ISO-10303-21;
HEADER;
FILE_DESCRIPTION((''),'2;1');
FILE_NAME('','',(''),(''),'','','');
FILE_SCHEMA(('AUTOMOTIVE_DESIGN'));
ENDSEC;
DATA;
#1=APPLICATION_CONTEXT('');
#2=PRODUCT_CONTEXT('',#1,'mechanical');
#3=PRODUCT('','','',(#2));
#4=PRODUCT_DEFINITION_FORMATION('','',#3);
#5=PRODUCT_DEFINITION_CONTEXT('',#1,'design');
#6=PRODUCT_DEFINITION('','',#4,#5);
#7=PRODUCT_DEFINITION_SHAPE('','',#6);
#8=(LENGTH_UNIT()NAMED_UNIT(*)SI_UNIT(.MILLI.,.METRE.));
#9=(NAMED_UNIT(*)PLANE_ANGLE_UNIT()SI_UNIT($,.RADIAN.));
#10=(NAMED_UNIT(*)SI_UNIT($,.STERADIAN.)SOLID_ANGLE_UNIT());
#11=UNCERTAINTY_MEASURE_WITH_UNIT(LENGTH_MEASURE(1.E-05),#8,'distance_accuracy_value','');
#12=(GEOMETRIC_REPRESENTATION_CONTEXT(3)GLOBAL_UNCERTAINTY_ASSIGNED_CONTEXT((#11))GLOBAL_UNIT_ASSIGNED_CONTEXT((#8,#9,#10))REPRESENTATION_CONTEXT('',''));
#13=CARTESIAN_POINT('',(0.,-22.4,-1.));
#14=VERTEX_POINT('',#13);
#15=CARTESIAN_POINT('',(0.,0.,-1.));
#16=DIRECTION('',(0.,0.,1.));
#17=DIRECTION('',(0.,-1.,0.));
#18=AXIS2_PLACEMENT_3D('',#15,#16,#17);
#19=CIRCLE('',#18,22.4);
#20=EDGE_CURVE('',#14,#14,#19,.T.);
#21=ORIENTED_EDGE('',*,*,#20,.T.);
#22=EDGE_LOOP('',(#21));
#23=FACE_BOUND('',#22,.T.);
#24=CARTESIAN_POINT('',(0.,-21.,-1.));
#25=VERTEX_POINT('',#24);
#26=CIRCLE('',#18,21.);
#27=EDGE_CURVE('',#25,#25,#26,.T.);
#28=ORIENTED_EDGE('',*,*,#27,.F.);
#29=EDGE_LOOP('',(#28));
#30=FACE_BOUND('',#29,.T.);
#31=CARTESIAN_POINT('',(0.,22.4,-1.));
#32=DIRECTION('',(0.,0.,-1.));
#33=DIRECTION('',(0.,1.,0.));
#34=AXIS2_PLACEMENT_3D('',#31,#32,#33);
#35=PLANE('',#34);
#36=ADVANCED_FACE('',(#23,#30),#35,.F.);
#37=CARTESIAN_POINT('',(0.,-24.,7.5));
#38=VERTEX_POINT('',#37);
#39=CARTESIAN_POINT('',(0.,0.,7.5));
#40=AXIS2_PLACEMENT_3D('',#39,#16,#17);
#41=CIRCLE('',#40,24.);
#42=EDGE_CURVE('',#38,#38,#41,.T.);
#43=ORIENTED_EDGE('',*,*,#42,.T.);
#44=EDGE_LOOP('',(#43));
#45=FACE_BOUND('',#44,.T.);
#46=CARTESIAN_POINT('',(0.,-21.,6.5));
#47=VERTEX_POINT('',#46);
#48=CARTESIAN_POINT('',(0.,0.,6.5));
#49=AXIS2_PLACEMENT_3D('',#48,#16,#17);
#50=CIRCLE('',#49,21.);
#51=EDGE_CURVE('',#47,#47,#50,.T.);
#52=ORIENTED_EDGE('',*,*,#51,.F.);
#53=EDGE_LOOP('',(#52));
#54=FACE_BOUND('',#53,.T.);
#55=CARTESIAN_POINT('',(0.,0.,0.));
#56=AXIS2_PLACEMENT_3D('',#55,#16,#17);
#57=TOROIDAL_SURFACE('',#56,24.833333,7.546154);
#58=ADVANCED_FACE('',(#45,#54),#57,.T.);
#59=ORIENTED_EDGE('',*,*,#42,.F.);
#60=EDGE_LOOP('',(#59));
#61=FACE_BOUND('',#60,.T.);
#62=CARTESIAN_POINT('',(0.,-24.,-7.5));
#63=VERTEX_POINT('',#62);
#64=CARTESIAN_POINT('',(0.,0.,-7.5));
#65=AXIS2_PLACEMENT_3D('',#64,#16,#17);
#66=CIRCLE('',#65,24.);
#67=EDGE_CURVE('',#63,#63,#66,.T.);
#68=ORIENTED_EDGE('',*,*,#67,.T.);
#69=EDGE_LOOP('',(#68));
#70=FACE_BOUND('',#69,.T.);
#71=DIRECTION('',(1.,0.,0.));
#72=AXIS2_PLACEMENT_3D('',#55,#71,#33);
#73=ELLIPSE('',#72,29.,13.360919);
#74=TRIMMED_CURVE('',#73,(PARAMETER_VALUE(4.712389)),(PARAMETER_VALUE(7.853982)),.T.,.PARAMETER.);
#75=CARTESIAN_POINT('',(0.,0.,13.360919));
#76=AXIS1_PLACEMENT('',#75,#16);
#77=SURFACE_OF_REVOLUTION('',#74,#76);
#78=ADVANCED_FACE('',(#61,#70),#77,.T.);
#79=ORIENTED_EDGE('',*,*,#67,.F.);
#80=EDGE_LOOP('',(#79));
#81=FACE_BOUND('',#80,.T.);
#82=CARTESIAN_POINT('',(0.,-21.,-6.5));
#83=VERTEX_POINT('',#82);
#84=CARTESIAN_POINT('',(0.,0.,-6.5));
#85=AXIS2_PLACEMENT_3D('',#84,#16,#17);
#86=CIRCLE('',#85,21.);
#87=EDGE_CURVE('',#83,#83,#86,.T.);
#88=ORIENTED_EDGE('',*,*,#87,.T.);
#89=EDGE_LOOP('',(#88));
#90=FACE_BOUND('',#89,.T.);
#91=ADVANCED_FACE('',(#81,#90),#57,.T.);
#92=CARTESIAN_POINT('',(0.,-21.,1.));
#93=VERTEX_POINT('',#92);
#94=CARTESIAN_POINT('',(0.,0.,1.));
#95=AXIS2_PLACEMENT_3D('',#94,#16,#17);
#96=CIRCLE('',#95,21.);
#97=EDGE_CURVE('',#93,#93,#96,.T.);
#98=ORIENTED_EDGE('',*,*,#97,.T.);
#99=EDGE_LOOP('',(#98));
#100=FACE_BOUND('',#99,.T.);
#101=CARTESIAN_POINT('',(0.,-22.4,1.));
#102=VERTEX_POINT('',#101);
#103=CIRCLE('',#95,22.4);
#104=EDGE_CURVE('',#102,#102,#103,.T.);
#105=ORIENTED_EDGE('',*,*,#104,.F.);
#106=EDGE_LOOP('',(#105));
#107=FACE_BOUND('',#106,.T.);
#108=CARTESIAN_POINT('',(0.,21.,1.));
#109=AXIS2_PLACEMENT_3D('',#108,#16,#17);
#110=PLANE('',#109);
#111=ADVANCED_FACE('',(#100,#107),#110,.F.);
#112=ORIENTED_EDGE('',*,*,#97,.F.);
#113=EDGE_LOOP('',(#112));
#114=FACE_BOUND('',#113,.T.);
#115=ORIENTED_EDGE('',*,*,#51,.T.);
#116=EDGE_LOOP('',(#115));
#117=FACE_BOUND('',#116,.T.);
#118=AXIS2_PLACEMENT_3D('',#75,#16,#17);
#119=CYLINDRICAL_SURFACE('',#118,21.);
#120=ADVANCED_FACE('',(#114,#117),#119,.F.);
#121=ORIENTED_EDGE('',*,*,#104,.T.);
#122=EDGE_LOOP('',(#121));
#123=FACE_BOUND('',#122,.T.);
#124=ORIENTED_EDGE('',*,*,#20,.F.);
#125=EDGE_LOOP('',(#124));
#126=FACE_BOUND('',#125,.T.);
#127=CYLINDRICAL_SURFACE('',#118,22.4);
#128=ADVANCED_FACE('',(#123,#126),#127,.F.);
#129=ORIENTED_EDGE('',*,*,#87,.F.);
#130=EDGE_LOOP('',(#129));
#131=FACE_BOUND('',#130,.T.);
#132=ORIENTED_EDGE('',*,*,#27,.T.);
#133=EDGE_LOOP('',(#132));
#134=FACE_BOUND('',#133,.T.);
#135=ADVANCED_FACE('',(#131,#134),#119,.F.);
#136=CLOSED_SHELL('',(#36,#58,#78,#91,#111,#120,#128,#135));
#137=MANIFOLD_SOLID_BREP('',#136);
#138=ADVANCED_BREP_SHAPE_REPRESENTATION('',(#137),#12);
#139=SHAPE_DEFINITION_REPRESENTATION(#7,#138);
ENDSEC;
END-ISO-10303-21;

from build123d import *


with BuildPart() as part:
    # Sketch3 → Revolve1 (revolve)
    with BuildSketch(Plane(origin=(0, 0, 0), x_dir=(0, 0, -1), z_dir=(1, 0, 0)), mode=Mode.PRIVATE) as revolve1_sk:
        with BuildLine():
            Line((-6.5, 21), (-1, 21))
            Line((-1, 21), (-1, 22.4))
            Line((-1, 22.4), (1, 22.4))
            Line((1, 22.4), (1, 21))
            Line((1, 21), (6.5, 21))
            ThreePointArc((6.5, 21), (7.158910532, 22.447029823), (7.5, 24))
            add(Edge.make_bspline(
                [(7.5, 24), (0, 35.041666667), (-7.5, 24)],
                knots=[5.687182868, 5.687182868, 5.687182868, 6.879187746, 6.879187746, 6.879187746], degree=2, weights=[1, 0.827586207, 1]))
            ThreePointArc((-7.5, 24), (-7.158910532, 22.447029823), (-6.5, 21))
        make_face()
    revolve(revolve1_sk.sketch.rotate(Axis((0, 0, 13.360918791), (0, 0, -1)), 180), axis=Axis((0, 0, 13.360918791), (0, 0, -1)))


solid = part.part
